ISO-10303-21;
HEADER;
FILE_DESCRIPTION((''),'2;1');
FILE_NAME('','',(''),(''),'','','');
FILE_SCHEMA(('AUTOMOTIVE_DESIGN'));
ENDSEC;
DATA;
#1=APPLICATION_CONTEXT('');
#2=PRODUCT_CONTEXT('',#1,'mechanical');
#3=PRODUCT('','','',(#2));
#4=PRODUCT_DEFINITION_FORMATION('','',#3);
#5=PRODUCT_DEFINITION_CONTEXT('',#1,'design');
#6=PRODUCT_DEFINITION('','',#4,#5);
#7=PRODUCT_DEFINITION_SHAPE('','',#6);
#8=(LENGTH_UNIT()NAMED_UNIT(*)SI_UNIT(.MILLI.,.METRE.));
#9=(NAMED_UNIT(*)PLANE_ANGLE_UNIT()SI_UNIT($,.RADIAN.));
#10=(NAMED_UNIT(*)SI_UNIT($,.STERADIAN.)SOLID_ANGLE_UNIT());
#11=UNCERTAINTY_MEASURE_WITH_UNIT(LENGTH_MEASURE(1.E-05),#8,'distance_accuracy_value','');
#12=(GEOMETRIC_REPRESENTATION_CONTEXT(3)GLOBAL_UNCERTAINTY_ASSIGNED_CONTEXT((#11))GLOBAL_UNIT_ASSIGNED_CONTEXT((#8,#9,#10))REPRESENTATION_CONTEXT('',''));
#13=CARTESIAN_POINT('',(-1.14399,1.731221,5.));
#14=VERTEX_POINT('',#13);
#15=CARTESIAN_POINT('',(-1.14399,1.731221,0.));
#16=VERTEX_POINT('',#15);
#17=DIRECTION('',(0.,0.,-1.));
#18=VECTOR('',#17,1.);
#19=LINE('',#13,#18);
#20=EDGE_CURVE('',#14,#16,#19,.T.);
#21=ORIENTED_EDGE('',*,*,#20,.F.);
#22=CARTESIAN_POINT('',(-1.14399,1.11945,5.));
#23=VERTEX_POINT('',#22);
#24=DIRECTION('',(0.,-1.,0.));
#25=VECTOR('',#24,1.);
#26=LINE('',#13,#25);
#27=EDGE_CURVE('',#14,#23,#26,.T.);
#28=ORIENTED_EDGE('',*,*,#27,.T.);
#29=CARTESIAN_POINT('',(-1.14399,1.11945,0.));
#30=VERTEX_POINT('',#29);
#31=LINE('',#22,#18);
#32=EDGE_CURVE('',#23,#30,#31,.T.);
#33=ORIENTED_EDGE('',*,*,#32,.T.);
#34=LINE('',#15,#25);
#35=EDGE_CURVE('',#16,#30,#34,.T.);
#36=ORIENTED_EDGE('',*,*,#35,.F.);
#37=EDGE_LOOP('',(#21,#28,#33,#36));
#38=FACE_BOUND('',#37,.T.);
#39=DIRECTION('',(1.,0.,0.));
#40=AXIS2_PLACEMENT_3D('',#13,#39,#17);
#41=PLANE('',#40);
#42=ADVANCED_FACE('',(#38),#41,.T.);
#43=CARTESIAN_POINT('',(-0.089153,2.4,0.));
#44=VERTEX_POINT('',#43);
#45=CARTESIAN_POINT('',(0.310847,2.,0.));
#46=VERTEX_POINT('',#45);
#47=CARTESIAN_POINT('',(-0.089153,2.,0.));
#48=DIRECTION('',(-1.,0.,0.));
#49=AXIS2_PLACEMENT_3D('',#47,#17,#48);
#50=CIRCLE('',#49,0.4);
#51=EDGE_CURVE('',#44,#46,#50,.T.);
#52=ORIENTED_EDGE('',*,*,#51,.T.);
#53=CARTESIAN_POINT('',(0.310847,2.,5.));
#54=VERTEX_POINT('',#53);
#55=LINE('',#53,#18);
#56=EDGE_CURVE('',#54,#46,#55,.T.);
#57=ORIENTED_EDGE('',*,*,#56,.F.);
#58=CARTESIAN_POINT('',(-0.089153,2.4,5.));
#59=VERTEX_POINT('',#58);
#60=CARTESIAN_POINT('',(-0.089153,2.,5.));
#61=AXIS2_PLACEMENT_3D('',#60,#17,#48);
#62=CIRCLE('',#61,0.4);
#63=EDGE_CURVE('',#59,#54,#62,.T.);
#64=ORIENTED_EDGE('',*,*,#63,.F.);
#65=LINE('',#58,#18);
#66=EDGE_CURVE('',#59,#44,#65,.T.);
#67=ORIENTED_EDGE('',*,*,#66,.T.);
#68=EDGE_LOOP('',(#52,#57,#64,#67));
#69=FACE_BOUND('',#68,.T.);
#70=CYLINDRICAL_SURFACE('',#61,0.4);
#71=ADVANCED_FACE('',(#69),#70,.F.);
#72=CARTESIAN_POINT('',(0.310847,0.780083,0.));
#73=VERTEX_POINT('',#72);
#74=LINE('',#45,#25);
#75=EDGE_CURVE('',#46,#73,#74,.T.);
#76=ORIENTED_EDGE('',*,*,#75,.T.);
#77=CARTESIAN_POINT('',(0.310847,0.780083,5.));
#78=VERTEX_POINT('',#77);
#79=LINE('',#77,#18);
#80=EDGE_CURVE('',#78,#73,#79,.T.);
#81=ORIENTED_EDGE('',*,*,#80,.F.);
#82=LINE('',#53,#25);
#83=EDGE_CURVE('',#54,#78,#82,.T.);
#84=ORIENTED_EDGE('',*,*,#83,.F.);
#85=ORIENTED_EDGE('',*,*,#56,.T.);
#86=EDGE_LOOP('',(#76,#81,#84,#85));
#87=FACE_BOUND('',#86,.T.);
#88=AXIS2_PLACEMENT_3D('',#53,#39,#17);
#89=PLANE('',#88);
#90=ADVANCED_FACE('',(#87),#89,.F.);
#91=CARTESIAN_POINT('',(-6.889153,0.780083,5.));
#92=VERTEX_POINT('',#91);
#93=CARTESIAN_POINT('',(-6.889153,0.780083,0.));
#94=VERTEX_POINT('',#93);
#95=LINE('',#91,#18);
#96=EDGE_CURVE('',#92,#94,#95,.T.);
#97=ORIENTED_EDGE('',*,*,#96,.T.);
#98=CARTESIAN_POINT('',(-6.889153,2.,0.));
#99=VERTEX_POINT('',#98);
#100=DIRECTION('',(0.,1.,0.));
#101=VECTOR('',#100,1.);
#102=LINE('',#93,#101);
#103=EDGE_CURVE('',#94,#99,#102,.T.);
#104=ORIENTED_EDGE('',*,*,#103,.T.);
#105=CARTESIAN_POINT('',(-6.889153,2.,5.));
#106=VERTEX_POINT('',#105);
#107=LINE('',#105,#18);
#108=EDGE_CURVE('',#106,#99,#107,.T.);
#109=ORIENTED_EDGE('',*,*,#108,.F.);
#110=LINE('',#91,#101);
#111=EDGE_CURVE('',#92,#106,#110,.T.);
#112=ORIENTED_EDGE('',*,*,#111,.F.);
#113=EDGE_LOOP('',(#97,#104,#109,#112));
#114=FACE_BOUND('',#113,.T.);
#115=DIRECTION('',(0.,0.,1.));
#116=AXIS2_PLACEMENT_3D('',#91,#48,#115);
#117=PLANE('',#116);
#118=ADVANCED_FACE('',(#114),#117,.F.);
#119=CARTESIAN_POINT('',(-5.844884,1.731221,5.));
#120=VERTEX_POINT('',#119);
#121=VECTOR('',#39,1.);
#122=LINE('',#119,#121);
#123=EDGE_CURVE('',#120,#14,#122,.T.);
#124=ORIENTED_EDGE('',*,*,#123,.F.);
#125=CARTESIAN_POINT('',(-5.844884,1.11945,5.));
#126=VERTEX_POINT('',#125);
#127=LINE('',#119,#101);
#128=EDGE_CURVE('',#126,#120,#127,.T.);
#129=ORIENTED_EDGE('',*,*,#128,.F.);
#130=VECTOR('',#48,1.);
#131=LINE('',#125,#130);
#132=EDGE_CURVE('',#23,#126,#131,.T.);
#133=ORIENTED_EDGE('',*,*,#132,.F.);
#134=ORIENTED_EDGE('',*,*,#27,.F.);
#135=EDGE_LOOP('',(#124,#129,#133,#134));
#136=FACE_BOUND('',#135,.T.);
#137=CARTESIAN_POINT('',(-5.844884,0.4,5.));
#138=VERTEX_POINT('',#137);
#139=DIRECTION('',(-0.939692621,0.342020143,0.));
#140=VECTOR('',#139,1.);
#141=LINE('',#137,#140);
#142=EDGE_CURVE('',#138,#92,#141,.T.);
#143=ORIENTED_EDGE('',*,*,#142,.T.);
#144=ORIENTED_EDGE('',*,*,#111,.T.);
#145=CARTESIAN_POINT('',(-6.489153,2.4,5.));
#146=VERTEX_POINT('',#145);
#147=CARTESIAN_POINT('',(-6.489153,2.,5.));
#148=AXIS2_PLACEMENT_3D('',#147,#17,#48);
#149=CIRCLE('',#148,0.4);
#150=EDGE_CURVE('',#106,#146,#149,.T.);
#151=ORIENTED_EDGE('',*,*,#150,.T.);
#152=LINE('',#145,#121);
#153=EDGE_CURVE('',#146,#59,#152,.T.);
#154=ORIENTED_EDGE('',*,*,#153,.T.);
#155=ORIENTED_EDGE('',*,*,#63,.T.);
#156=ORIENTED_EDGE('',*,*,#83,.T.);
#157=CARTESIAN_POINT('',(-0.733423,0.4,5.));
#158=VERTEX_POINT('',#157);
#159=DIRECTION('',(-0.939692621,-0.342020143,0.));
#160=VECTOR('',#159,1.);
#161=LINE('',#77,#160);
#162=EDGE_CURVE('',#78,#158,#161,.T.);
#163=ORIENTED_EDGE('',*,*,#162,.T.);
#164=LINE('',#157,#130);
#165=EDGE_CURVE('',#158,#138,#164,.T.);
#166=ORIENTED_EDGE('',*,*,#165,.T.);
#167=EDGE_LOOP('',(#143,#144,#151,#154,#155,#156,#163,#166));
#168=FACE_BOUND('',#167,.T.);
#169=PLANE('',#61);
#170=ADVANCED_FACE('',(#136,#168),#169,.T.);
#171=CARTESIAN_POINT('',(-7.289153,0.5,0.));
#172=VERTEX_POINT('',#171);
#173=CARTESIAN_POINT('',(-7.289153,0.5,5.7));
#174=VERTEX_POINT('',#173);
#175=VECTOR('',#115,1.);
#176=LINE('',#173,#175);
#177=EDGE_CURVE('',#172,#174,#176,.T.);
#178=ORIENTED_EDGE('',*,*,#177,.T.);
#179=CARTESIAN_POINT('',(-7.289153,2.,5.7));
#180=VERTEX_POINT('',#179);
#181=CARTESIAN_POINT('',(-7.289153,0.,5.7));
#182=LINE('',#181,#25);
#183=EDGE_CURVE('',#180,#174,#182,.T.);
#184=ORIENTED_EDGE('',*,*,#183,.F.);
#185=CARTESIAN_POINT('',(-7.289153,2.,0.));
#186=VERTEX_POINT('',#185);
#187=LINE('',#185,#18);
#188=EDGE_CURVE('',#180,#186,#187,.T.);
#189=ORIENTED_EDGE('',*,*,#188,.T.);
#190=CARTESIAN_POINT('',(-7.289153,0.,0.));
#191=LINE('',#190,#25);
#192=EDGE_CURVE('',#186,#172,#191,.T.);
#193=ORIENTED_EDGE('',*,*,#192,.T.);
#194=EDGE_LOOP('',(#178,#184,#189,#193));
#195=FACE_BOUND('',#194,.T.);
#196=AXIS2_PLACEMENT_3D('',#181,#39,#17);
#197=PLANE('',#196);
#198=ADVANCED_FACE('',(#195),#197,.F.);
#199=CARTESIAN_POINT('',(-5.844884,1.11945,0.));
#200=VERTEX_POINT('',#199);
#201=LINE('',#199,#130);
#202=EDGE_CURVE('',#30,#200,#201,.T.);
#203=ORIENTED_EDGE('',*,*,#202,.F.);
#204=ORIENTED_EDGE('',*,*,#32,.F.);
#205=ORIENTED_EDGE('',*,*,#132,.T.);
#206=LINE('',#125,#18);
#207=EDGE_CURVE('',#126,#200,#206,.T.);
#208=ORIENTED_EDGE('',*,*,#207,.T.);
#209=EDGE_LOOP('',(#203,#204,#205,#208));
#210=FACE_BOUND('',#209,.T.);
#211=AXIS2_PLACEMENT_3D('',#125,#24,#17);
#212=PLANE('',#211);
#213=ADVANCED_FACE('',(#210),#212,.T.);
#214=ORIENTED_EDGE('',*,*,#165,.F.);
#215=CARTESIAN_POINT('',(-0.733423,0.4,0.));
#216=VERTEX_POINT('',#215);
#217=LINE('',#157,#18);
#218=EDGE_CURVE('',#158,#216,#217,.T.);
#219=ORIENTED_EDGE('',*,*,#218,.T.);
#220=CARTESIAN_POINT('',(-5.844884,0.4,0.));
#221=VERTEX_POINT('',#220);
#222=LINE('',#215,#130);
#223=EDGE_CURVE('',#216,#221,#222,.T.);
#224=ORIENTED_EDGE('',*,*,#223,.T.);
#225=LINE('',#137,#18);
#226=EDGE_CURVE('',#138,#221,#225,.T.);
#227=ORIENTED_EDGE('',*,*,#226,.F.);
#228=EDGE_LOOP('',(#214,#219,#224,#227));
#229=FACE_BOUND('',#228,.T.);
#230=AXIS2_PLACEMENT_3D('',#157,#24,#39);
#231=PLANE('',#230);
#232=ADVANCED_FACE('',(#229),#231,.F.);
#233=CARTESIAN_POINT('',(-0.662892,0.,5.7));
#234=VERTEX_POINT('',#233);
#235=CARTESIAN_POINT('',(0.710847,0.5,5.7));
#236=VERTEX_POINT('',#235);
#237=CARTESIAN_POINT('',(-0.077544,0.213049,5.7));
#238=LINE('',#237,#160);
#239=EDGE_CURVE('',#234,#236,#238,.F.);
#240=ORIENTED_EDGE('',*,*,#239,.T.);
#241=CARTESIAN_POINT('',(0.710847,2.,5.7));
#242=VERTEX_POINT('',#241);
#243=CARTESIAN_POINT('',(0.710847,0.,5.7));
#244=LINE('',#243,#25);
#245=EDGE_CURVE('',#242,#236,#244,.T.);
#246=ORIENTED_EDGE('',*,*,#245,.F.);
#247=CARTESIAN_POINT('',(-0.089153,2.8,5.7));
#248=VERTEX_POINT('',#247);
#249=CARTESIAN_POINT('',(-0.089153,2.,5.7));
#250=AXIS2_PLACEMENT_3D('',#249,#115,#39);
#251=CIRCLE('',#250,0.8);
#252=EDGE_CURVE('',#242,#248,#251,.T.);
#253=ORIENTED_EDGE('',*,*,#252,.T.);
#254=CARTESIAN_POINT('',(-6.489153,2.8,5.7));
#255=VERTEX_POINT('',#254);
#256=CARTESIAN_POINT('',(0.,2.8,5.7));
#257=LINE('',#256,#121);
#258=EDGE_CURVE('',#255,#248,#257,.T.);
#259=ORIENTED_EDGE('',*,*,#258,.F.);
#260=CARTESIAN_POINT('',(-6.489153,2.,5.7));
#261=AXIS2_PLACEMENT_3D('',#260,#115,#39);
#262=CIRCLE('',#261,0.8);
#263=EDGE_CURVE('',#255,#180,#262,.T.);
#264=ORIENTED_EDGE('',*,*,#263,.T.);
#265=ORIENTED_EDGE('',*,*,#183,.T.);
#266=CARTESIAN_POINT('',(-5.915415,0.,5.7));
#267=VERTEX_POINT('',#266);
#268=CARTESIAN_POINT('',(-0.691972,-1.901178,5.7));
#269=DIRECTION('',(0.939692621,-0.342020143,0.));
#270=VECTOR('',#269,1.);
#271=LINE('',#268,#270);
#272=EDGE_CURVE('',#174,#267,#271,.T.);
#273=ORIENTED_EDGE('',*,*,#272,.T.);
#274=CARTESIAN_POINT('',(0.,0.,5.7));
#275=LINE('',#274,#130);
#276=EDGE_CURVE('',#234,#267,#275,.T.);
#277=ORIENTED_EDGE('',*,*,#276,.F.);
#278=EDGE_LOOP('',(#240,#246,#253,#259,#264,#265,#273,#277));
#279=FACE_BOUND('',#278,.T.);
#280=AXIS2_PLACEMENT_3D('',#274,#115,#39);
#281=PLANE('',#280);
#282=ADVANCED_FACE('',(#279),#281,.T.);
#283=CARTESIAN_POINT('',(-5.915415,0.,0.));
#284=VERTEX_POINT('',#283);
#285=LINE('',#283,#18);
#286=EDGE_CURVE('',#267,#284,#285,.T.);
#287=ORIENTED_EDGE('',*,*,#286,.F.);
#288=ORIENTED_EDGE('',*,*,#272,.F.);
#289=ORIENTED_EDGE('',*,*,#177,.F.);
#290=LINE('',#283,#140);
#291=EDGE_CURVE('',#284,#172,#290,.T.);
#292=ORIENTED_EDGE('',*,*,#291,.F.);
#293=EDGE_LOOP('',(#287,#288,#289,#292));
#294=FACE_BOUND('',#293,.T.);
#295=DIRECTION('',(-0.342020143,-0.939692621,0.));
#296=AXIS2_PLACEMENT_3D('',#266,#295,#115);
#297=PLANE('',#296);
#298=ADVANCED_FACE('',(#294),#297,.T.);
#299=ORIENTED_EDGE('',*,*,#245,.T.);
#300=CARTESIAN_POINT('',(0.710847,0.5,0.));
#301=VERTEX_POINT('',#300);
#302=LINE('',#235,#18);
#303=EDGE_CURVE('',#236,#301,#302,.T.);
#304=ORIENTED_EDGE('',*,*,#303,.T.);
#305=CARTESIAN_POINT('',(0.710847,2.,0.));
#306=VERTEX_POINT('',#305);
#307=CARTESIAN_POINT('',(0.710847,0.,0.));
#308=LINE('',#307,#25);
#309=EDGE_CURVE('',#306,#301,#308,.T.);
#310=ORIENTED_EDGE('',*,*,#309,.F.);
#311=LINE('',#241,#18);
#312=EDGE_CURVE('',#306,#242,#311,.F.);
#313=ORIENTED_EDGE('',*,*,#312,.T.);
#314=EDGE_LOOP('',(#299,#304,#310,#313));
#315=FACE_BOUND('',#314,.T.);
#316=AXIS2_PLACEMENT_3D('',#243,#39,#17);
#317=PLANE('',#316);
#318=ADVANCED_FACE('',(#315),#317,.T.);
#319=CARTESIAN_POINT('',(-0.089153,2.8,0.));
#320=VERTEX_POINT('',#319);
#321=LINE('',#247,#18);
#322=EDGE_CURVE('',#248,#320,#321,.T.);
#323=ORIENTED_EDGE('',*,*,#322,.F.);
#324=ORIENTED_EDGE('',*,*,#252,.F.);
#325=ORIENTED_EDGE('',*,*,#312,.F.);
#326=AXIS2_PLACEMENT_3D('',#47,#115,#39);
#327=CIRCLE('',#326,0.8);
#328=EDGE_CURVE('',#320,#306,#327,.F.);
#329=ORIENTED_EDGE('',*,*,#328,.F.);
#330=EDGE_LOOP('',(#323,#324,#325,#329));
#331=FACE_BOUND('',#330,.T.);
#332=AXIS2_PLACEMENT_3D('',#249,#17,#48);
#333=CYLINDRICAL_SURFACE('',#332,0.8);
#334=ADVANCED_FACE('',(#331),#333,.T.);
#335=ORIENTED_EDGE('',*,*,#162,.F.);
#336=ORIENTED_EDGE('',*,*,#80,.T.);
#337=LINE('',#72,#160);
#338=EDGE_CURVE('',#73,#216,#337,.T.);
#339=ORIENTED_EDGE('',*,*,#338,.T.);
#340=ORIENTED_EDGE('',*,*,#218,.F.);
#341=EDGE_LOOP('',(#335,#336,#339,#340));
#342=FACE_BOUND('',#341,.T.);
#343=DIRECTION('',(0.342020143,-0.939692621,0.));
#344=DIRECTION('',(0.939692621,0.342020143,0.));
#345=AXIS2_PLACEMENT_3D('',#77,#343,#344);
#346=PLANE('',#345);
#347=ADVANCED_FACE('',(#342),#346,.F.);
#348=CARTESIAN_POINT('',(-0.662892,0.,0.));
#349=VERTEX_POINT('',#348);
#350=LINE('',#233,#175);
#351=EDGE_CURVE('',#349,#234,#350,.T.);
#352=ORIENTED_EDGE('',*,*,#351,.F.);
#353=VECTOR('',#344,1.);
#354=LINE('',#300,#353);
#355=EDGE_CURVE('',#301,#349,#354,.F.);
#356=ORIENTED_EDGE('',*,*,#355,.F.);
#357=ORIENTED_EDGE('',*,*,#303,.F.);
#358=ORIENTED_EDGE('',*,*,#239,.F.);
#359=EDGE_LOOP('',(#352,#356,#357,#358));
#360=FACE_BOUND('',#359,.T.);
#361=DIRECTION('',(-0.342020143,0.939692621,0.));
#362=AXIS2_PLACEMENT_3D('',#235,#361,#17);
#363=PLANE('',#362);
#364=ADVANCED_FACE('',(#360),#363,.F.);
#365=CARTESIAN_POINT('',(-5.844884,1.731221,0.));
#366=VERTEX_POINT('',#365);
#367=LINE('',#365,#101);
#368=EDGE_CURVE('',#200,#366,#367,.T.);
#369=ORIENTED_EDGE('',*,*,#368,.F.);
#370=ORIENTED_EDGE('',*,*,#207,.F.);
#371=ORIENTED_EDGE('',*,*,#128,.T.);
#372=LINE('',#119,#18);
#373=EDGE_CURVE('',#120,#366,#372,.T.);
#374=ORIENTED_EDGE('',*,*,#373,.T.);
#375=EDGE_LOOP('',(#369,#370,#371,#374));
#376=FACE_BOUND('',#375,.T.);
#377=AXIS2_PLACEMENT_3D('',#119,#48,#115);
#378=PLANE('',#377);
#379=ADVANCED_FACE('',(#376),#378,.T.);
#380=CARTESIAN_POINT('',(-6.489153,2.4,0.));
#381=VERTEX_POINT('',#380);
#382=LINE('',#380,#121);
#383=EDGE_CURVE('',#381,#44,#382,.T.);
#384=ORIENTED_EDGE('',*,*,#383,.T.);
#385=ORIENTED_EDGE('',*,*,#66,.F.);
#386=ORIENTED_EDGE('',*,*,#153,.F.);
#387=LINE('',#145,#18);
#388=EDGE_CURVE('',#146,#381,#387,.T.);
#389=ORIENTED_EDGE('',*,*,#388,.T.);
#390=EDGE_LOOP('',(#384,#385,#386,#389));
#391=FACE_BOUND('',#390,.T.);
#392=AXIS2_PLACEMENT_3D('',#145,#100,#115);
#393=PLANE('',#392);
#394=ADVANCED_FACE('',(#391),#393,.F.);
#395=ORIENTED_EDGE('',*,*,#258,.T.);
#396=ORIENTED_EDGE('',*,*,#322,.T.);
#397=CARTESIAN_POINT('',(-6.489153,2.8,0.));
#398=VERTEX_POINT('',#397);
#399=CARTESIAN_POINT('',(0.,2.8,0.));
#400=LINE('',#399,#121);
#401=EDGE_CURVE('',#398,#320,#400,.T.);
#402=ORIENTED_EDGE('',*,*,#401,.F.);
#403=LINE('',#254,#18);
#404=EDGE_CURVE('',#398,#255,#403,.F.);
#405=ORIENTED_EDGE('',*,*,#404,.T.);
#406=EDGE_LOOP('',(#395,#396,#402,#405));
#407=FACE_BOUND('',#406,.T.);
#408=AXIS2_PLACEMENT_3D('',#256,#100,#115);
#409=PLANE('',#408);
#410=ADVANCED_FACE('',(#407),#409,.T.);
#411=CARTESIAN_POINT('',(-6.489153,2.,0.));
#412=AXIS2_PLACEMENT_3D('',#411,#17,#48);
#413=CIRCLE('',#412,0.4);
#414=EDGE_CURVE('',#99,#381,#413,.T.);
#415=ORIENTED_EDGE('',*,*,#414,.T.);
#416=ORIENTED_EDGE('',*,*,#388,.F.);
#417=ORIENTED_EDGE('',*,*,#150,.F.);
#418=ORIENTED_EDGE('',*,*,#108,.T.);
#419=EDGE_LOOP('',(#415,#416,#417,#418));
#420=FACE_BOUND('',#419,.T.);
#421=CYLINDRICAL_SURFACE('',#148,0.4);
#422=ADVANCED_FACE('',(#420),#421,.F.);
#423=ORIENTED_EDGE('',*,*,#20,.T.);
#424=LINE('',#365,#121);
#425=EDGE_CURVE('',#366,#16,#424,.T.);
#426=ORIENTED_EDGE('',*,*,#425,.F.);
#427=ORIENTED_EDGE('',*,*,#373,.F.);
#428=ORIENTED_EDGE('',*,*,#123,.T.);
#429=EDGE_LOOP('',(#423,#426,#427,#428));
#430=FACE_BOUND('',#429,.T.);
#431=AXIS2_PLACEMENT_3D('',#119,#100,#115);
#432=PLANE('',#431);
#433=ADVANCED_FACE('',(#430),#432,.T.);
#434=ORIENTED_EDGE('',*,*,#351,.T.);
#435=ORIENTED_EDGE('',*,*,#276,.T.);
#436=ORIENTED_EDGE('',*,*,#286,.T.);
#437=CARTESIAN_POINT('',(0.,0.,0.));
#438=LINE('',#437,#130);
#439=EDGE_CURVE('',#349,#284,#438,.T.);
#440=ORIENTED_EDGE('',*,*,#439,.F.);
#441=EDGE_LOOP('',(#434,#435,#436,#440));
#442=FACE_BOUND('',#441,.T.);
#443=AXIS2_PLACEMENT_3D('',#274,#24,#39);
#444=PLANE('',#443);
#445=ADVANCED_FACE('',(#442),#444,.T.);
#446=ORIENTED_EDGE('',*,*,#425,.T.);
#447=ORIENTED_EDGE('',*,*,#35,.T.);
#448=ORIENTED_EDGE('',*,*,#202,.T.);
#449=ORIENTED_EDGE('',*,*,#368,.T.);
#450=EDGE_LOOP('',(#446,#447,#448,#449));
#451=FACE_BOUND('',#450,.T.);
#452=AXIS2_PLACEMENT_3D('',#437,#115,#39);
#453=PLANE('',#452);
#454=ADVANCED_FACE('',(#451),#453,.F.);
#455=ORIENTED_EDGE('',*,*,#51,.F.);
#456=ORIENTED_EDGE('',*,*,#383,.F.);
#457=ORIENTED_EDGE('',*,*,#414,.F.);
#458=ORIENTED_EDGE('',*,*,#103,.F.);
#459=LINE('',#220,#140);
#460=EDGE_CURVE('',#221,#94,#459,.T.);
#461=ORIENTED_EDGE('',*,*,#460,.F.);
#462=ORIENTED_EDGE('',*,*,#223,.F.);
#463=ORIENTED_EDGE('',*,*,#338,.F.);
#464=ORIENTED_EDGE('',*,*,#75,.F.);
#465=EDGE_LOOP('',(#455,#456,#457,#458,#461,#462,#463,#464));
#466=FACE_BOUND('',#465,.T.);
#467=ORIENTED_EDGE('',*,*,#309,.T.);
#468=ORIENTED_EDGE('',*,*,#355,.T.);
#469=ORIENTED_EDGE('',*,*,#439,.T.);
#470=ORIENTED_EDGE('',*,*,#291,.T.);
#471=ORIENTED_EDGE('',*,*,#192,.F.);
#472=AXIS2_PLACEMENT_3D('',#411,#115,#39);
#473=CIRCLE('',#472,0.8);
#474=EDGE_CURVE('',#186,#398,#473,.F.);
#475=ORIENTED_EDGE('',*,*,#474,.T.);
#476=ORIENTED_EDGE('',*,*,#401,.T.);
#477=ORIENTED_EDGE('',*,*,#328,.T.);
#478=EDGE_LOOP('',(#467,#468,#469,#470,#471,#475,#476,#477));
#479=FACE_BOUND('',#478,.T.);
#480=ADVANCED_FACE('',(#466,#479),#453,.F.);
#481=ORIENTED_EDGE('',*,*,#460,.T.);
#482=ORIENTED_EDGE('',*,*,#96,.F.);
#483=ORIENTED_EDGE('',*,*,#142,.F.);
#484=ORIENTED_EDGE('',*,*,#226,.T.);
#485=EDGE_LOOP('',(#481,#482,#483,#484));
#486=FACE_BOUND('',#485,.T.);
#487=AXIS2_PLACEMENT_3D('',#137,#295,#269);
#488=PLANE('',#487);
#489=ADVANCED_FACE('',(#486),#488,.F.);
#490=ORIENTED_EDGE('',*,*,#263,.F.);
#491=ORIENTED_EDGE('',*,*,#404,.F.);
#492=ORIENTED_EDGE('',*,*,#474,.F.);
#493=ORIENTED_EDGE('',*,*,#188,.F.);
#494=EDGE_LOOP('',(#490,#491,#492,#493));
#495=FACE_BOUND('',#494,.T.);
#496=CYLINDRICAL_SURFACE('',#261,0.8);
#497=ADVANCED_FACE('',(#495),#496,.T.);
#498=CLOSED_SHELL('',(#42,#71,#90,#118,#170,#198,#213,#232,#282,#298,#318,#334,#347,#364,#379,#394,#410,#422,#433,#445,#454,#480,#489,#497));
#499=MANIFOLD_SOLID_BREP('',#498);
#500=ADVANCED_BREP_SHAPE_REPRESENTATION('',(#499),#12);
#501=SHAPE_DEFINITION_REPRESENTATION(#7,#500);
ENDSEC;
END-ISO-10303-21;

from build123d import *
from OCP.BRepFilletAPI import BRepFilletAPI_MakeChamfer

# Parameters (mm, degrees)
SKETCH_1_W          = 8
SKETCH_1_H          = 1
SKETCH_1_H_2        = 1.8
EXTRUDE_1_DEPTH     = 5.7
FILLET_1_R          = 0.8
CHAMFER_1_SIZE      = 0.5
CHAMFER_1_SIZE2     = 1.37373871
SKETCH_2_W          = 4.700894011
SKETCH_2_H          = 0.61177093
CUT_EXTRUDE_1_DEPTH = 5


with BuildPart() as part:
    # Эскиз1 → Бобышка-Вытянуть1 (new body)
    with BuildSketch(Plane.XY):
        with Locations((-3.289153283, 2.3)):
            Rectangle(SKETCH_1_W, SKETCH_1_H)
        with Locations((-3.289153283, 0.9)):
            Rectangle(SKETCH_1_W, SKETCH_1_H_2)
    extrude(amount=EXTRUDE_1_DEPTH)

    # Скругление1
    fillet_1_edges = [part.edges().sort_by_distance(p)[0] for p in [
        (0.710846717, 2.8, 2.85),
        (-7.289153283, 2.8, 2.85),
    ]]
    fillet(fillet_1_edges, radius=FILLET_1_R)

    # Фаска1: one chamfer whose edges measure the first distance from different faces: ONE call of the kernel's chamfer builder (chamfer() names one face for all edges)
    chamfer_1_edges_1 = [part.edges().sort_by_distance(p)[0] for p in [
        (0.710846717, 0, 2.85),
    ]]
    chamfer_1_side_1 = [part.faces().sort_by_distance(p)[0] for p in [
        (0.710846717, 1, 2.85),
    ]]
    chamfer_1_edges_2 = [part.edges().sort_by_distance(p)[0] for p in [
        (-7.289153283, 0, 2.85),
    ]]
    chamfer_1_side_2 = [part.faces().sort_by_distance(p)[0] for p in [
        (-7.289153283, 1, 2.85),
    ]]
    chamfer_1 = BRepFilletAPI_MakeChamfer(part.part.solid().wrapped)
    for e in chamfer_1_edges_1:
        chamfer_1.Add(CHAMFER_1_SIZE, CHAMFER_1_SIZE2, e.wrapped, chamfer_1_side_1[0].wrapped)  # the first distance lies on this face
    for e in chamfer_1_edges_2:
        chamfer_1.Add(CHAMFER_1_SIZE, CHAMFER_1_SIZE2, e.wrapped, chamfer_1_side_2[0].wrapped)  # the first distance lies on this face
    add(Compound.cast(chamfer_1.Shape()), mode=Mode.REPLACE)

    # Эскиз2 → Вырез-Вытянуть1 (cut)
    with BuildSketch(Plane(origin=(0, 0, 0), x_dir=(-1, 0, 0), z_dir=(0, 0, -1))):
        with BuildLine():
            Line((-0.310846717, 2), (-0.310846717, 0.780083015))
            Line((-0.310846717, 0.780083015), (0.733422785, 0.4))
            Line((0.733422785, 0.4), (5.844883781, 0.4))
            Line((5.844883781, 0.4), (6.889153283, 0.780083015))
            Line((6.889153283, 0.780083015), (6.889153283, 2))
            ThreePointArc((6.889153283, 2), (6.771995996, 2.282842712), (6.489153283, 2.4))
            Line((6.489153283, 2.4), (0.089153283, 2.4))
            ThreePointArc((0.089153283, 2.4), (-0.193689429, 2.282842712), (-0.310846717, 2))
        make_face()
        with Locations((3.494436776, 1.42533527)):
            Rectangle(SKETCH_2_W, SKETCH_2_H, mode=Mode.SUBTRACT)
    extrude(amount=-CUT_EXTRUDE_1_DEPTH, mode=Mode.SUBTRACT)


solid = part.part
